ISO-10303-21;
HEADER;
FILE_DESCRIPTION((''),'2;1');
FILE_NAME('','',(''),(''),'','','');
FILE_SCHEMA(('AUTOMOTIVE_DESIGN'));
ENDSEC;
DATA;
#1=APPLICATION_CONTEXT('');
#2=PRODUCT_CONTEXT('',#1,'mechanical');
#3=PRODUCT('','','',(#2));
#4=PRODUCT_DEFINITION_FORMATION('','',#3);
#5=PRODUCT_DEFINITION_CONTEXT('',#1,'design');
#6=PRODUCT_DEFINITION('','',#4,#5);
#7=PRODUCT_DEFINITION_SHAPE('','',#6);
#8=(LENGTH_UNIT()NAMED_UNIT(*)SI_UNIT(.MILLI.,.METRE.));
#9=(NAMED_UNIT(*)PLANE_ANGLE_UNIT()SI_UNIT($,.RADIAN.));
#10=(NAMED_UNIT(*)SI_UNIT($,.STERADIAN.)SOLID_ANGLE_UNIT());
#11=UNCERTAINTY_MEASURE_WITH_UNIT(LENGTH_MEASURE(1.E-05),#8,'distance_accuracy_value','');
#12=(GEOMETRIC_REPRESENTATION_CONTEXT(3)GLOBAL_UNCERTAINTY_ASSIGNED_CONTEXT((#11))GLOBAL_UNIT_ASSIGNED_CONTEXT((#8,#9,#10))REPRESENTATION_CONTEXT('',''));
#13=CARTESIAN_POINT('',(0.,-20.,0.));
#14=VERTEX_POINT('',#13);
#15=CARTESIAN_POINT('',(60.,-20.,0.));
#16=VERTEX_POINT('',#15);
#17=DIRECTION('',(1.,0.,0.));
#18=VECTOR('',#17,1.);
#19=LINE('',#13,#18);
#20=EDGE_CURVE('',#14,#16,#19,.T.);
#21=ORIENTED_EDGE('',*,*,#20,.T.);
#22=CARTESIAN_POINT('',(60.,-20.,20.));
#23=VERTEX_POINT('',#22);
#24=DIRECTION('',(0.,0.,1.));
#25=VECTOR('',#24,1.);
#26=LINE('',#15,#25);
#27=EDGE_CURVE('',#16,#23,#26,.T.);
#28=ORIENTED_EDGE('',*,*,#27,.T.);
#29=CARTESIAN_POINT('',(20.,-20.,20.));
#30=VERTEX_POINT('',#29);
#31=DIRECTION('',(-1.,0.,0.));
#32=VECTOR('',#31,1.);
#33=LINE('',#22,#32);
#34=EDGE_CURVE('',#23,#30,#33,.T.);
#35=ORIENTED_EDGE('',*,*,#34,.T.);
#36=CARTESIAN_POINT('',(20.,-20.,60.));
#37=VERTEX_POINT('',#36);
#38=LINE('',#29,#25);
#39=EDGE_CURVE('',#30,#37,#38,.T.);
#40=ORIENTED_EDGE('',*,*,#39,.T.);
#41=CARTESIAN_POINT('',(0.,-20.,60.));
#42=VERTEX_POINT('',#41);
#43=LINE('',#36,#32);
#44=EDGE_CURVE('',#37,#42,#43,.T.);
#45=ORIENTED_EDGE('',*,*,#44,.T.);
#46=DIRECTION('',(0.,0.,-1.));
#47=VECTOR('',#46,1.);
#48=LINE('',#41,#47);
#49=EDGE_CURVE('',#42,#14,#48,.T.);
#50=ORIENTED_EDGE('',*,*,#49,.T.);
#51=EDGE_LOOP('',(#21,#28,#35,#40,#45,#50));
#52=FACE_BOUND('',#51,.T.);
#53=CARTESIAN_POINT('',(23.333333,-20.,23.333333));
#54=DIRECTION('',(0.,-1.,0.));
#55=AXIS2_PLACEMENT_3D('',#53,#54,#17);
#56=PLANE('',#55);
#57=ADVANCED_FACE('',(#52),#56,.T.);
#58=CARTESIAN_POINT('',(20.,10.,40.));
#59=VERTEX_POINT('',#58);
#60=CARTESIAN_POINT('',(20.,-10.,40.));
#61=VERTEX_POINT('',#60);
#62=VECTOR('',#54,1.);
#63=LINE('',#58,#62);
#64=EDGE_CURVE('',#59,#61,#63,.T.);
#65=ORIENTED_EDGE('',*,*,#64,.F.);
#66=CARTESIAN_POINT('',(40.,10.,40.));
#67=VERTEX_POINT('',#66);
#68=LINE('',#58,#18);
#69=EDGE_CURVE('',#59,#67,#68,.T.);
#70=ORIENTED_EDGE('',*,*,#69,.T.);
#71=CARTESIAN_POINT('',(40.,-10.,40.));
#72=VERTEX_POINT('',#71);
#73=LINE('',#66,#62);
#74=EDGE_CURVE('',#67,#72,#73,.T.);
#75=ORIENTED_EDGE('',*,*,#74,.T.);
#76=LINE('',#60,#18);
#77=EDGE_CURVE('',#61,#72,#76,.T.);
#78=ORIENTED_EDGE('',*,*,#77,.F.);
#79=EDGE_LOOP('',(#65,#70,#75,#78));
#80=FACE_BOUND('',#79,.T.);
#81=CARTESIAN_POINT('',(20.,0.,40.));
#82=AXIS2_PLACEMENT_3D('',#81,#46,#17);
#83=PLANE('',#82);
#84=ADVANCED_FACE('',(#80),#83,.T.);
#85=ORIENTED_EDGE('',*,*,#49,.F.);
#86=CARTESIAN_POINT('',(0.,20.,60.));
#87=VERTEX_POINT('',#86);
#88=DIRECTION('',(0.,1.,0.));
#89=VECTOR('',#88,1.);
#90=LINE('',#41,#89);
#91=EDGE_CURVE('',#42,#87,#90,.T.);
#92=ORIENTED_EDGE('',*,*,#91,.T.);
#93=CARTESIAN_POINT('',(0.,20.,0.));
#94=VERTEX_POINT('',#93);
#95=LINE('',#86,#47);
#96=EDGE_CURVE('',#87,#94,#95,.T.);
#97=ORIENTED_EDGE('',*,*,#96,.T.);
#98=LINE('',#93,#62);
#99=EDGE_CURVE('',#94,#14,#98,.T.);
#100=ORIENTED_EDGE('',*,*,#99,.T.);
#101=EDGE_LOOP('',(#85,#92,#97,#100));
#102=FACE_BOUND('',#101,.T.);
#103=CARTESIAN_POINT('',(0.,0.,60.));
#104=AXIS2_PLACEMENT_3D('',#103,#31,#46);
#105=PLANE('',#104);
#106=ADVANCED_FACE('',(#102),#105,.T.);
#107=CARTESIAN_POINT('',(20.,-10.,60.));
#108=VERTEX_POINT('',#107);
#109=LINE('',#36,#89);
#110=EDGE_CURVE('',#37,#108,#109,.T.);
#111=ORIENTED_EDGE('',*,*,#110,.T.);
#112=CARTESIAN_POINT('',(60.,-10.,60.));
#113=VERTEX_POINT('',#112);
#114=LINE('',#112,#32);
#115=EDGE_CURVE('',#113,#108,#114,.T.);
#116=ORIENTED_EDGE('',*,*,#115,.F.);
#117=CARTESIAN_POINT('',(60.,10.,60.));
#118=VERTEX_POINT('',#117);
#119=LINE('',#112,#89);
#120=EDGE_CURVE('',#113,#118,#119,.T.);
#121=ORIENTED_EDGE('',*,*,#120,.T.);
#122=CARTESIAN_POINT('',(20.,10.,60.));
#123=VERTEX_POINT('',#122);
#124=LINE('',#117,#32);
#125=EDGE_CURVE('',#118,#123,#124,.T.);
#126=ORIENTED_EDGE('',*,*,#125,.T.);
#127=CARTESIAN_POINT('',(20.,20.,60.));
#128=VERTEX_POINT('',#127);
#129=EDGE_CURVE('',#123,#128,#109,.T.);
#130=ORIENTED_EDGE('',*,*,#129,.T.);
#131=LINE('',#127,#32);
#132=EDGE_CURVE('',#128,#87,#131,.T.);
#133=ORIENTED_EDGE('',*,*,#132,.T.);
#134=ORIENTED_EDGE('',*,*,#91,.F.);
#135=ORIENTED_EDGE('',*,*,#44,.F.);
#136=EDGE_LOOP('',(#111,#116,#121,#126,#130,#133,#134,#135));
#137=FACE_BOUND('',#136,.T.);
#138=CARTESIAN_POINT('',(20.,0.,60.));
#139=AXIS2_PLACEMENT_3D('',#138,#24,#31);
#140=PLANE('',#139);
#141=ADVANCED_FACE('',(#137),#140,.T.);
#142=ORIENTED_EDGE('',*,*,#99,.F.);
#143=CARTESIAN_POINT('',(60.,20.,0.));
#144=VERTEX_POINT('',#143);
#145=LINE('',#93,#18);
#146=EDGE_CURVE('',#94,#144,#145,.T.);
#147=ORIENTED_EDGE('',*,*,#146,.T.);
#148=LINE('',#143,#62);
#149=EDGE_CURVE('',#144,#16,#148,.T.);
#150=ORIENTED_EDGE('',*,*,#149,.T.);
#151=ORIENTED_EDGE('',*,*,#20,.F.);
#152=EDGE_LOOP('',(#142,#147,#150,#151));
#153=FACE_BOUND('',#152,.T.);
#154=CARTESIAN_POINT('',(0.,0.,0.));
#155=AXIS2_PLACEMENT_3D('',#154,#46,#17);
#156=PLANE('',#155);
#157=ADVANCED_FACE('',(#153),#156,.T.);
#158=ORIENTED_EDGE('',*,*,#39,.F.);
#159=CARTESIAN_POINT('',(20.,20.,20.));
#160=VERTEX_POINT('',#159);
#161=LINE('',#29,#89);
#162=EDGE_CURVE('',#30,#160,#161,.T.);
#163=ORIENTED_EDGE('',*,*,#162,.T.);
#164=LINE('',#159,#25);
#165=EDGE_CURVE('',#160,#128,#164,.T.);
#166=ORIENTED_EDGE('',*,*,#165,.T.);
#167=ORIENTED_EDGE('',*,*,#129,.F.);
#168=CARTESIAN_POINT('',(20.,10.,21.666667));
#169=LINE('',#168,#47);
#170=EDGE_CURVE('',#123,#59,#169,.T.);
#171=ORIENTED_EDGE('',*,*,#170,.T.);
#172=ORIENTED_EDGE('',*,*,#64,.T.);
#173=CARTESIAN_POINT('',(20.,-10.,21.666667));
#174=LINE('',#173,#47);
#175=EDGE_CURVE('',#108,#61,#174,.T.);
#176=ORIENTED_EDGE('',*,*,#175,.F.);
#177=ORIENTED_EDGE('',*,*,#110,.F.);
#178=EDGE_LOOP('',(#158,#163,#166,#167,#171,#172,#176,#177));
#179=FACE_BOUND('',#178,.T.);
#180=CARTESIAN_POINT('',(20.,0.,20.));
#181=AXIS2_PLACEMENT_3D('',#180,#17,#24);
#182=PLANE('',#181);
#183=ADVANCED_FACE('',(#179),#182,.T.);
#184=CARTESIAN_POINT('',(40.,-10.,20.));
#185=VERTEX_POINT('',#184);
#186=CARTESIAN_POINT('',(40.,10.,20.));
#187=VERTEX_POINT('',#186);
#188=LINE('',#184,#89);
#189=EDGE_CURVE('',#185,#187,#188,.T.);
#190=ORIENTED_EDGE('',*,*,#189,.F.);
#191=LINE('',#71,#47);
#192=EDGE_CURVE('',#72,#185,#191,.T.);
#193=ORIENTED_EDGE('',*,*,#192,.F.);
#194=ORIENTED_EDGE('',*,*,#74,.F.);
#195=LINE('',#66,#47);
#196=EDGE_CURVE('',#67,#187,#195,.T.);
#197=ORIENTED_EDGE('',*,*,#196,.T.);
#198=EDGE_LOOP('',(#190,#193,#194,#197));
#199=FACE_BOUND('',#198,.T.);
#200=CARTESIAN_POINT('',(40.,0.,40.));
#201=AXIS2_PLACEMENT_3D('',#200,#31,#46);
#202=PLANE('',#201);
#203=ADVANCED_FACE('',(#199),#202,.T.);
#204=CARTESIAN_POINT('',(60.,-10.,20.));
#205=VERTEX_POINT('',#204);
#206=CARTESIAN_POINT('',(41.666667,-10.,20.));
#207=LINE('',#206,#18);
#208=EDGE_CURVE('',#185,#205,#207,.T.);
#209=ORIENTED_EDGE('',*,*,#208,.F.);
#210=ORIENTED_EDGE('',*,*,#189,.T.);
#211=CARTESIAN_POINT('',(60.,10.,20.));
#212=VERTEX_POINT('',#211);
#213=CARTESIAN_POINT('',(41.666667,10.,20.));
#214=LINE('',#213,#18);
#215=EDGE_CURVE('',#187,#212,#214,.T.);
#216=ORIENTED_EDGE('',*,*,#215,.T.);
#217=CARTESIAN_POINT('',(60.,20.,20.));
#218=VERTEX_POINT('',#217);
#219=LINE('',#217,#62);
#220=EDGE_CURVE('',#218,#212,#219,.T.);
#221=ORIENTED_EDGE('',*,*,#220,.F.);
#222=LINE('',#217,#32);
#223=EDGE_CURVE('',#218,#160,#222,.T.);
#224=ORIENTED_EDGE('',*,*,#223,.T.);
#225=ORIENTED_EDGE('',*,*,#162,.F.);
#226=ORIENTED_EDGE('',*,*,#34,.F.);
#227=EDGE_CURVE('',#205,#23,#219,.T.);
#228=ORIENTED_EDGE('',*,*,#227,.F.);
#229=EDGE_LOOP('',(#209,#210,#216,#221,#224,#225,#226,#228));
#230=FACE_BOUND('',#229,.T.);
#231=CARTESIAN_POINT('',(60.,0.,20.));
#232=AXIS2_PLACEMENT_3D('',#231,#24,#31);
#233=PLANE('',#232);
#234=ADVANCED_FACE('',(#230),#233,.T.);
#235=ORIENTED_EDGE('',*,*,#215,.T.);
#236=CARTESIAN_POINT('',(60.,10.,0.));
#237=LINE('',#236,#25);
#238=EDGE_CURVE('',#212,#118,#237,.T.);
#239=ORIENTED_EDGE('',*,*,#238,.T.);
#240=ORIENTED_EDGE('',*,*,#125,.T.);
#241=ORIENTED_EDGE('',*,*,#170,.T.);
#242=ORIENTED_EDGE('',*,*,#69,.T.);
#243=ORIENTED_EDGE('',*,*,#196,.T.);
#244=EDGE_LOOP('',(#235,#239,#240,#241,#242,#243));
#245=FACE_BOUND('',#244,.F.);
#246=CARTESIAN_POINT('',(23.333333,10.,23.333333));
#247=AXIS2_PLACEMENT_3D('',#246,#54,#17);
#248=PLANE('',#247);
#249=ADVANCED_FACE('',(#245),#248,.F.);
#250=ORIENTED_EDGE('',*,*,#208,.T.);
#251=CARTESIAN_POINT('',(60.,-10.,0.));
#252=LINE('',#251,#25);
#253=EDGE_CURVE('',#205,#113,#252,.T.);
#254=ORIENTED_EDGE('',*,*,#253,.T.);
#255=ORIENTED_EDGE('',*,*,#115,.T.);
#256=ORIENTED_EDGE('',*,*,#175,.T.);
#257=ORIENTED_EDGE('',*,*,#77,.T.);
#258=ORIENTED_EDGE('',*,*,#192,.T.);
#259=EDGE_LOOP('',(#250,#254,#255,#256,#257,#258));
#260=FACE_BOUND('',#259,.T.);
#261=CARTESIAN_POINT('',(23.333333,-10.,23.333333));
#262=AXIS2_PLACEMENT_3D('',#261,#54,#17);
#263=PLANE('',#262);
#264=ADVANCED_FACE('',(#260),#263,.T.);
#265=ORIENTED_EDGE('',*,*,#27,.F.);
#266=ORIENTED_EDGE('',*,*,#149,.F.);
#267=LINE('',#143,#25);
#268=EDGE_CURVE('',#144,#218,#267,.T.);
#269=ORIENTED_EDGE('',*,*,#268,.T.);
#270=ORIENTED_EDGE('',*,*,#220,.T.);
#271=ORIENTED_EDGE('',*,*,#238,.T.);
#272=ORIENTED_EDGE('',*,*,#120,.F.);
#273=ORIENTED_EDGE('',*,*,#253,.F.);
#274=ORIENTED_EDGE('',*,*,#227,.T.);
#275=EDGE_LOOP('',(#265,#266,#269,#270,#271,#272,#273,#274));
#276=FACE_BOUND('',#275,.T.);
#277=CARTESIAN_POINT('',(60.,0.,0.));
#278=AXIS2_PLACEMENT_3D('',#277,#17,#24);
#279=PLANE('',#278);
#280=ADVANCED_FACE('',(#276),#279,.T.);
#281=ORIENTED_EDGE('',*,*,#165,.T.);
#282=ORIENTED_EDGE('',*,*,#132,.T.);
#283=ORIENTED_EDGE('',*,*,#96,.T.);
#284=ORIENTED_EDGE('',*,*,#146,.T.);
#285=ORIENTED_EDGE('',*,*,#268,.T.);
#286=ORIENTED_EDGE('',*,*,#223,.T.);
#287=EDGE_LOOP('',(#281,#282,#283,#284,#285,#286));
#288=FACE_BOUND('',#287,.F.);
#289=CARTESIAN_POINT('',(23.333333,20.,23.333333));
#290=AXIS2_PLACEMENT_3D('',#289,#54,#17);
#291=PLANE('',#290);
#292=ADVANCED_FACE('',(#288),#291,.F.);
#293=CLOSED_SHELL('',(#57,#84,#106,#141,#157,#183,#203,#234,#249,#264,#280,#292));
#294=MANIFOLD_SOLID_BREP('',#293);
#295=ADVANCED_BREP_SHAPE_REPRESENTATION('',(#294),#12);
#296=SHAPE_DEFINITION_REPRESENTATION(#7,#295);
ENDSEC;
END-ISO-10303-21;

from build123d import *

# Parameters (mm, degrees)
F1_DEPTH = 20
F2_DEPTH = 10


with BuildPart() as f1:
    # F0 (on Front) → F1 (new body, symmetric)
    with BuildSketch(Plane.XZ):
        Polygon((0, 60), (0, 0), (60, 0), (60, 20), (40, 20), (20, 20), (20, 40), (20, 60), align=None)
    extrude(amount=F1_DEPTH, both=True)

    # F0 (on Front) → F2 (join, symmetric)
    with BuildSketch(Plane.XZ):
        Polygon((0, 60), (0, 0), (60, 0), (60, 20), (40, 20), (20, 20), (20, 40), (20, 60), align=None)
        Polygon((60, 60), (20, 60), (20, 40), (40, 40), (40, 20), (60, 20), align=None)
    extrude(amount=F2_DEPTH, both=True)


solid = f1.part
